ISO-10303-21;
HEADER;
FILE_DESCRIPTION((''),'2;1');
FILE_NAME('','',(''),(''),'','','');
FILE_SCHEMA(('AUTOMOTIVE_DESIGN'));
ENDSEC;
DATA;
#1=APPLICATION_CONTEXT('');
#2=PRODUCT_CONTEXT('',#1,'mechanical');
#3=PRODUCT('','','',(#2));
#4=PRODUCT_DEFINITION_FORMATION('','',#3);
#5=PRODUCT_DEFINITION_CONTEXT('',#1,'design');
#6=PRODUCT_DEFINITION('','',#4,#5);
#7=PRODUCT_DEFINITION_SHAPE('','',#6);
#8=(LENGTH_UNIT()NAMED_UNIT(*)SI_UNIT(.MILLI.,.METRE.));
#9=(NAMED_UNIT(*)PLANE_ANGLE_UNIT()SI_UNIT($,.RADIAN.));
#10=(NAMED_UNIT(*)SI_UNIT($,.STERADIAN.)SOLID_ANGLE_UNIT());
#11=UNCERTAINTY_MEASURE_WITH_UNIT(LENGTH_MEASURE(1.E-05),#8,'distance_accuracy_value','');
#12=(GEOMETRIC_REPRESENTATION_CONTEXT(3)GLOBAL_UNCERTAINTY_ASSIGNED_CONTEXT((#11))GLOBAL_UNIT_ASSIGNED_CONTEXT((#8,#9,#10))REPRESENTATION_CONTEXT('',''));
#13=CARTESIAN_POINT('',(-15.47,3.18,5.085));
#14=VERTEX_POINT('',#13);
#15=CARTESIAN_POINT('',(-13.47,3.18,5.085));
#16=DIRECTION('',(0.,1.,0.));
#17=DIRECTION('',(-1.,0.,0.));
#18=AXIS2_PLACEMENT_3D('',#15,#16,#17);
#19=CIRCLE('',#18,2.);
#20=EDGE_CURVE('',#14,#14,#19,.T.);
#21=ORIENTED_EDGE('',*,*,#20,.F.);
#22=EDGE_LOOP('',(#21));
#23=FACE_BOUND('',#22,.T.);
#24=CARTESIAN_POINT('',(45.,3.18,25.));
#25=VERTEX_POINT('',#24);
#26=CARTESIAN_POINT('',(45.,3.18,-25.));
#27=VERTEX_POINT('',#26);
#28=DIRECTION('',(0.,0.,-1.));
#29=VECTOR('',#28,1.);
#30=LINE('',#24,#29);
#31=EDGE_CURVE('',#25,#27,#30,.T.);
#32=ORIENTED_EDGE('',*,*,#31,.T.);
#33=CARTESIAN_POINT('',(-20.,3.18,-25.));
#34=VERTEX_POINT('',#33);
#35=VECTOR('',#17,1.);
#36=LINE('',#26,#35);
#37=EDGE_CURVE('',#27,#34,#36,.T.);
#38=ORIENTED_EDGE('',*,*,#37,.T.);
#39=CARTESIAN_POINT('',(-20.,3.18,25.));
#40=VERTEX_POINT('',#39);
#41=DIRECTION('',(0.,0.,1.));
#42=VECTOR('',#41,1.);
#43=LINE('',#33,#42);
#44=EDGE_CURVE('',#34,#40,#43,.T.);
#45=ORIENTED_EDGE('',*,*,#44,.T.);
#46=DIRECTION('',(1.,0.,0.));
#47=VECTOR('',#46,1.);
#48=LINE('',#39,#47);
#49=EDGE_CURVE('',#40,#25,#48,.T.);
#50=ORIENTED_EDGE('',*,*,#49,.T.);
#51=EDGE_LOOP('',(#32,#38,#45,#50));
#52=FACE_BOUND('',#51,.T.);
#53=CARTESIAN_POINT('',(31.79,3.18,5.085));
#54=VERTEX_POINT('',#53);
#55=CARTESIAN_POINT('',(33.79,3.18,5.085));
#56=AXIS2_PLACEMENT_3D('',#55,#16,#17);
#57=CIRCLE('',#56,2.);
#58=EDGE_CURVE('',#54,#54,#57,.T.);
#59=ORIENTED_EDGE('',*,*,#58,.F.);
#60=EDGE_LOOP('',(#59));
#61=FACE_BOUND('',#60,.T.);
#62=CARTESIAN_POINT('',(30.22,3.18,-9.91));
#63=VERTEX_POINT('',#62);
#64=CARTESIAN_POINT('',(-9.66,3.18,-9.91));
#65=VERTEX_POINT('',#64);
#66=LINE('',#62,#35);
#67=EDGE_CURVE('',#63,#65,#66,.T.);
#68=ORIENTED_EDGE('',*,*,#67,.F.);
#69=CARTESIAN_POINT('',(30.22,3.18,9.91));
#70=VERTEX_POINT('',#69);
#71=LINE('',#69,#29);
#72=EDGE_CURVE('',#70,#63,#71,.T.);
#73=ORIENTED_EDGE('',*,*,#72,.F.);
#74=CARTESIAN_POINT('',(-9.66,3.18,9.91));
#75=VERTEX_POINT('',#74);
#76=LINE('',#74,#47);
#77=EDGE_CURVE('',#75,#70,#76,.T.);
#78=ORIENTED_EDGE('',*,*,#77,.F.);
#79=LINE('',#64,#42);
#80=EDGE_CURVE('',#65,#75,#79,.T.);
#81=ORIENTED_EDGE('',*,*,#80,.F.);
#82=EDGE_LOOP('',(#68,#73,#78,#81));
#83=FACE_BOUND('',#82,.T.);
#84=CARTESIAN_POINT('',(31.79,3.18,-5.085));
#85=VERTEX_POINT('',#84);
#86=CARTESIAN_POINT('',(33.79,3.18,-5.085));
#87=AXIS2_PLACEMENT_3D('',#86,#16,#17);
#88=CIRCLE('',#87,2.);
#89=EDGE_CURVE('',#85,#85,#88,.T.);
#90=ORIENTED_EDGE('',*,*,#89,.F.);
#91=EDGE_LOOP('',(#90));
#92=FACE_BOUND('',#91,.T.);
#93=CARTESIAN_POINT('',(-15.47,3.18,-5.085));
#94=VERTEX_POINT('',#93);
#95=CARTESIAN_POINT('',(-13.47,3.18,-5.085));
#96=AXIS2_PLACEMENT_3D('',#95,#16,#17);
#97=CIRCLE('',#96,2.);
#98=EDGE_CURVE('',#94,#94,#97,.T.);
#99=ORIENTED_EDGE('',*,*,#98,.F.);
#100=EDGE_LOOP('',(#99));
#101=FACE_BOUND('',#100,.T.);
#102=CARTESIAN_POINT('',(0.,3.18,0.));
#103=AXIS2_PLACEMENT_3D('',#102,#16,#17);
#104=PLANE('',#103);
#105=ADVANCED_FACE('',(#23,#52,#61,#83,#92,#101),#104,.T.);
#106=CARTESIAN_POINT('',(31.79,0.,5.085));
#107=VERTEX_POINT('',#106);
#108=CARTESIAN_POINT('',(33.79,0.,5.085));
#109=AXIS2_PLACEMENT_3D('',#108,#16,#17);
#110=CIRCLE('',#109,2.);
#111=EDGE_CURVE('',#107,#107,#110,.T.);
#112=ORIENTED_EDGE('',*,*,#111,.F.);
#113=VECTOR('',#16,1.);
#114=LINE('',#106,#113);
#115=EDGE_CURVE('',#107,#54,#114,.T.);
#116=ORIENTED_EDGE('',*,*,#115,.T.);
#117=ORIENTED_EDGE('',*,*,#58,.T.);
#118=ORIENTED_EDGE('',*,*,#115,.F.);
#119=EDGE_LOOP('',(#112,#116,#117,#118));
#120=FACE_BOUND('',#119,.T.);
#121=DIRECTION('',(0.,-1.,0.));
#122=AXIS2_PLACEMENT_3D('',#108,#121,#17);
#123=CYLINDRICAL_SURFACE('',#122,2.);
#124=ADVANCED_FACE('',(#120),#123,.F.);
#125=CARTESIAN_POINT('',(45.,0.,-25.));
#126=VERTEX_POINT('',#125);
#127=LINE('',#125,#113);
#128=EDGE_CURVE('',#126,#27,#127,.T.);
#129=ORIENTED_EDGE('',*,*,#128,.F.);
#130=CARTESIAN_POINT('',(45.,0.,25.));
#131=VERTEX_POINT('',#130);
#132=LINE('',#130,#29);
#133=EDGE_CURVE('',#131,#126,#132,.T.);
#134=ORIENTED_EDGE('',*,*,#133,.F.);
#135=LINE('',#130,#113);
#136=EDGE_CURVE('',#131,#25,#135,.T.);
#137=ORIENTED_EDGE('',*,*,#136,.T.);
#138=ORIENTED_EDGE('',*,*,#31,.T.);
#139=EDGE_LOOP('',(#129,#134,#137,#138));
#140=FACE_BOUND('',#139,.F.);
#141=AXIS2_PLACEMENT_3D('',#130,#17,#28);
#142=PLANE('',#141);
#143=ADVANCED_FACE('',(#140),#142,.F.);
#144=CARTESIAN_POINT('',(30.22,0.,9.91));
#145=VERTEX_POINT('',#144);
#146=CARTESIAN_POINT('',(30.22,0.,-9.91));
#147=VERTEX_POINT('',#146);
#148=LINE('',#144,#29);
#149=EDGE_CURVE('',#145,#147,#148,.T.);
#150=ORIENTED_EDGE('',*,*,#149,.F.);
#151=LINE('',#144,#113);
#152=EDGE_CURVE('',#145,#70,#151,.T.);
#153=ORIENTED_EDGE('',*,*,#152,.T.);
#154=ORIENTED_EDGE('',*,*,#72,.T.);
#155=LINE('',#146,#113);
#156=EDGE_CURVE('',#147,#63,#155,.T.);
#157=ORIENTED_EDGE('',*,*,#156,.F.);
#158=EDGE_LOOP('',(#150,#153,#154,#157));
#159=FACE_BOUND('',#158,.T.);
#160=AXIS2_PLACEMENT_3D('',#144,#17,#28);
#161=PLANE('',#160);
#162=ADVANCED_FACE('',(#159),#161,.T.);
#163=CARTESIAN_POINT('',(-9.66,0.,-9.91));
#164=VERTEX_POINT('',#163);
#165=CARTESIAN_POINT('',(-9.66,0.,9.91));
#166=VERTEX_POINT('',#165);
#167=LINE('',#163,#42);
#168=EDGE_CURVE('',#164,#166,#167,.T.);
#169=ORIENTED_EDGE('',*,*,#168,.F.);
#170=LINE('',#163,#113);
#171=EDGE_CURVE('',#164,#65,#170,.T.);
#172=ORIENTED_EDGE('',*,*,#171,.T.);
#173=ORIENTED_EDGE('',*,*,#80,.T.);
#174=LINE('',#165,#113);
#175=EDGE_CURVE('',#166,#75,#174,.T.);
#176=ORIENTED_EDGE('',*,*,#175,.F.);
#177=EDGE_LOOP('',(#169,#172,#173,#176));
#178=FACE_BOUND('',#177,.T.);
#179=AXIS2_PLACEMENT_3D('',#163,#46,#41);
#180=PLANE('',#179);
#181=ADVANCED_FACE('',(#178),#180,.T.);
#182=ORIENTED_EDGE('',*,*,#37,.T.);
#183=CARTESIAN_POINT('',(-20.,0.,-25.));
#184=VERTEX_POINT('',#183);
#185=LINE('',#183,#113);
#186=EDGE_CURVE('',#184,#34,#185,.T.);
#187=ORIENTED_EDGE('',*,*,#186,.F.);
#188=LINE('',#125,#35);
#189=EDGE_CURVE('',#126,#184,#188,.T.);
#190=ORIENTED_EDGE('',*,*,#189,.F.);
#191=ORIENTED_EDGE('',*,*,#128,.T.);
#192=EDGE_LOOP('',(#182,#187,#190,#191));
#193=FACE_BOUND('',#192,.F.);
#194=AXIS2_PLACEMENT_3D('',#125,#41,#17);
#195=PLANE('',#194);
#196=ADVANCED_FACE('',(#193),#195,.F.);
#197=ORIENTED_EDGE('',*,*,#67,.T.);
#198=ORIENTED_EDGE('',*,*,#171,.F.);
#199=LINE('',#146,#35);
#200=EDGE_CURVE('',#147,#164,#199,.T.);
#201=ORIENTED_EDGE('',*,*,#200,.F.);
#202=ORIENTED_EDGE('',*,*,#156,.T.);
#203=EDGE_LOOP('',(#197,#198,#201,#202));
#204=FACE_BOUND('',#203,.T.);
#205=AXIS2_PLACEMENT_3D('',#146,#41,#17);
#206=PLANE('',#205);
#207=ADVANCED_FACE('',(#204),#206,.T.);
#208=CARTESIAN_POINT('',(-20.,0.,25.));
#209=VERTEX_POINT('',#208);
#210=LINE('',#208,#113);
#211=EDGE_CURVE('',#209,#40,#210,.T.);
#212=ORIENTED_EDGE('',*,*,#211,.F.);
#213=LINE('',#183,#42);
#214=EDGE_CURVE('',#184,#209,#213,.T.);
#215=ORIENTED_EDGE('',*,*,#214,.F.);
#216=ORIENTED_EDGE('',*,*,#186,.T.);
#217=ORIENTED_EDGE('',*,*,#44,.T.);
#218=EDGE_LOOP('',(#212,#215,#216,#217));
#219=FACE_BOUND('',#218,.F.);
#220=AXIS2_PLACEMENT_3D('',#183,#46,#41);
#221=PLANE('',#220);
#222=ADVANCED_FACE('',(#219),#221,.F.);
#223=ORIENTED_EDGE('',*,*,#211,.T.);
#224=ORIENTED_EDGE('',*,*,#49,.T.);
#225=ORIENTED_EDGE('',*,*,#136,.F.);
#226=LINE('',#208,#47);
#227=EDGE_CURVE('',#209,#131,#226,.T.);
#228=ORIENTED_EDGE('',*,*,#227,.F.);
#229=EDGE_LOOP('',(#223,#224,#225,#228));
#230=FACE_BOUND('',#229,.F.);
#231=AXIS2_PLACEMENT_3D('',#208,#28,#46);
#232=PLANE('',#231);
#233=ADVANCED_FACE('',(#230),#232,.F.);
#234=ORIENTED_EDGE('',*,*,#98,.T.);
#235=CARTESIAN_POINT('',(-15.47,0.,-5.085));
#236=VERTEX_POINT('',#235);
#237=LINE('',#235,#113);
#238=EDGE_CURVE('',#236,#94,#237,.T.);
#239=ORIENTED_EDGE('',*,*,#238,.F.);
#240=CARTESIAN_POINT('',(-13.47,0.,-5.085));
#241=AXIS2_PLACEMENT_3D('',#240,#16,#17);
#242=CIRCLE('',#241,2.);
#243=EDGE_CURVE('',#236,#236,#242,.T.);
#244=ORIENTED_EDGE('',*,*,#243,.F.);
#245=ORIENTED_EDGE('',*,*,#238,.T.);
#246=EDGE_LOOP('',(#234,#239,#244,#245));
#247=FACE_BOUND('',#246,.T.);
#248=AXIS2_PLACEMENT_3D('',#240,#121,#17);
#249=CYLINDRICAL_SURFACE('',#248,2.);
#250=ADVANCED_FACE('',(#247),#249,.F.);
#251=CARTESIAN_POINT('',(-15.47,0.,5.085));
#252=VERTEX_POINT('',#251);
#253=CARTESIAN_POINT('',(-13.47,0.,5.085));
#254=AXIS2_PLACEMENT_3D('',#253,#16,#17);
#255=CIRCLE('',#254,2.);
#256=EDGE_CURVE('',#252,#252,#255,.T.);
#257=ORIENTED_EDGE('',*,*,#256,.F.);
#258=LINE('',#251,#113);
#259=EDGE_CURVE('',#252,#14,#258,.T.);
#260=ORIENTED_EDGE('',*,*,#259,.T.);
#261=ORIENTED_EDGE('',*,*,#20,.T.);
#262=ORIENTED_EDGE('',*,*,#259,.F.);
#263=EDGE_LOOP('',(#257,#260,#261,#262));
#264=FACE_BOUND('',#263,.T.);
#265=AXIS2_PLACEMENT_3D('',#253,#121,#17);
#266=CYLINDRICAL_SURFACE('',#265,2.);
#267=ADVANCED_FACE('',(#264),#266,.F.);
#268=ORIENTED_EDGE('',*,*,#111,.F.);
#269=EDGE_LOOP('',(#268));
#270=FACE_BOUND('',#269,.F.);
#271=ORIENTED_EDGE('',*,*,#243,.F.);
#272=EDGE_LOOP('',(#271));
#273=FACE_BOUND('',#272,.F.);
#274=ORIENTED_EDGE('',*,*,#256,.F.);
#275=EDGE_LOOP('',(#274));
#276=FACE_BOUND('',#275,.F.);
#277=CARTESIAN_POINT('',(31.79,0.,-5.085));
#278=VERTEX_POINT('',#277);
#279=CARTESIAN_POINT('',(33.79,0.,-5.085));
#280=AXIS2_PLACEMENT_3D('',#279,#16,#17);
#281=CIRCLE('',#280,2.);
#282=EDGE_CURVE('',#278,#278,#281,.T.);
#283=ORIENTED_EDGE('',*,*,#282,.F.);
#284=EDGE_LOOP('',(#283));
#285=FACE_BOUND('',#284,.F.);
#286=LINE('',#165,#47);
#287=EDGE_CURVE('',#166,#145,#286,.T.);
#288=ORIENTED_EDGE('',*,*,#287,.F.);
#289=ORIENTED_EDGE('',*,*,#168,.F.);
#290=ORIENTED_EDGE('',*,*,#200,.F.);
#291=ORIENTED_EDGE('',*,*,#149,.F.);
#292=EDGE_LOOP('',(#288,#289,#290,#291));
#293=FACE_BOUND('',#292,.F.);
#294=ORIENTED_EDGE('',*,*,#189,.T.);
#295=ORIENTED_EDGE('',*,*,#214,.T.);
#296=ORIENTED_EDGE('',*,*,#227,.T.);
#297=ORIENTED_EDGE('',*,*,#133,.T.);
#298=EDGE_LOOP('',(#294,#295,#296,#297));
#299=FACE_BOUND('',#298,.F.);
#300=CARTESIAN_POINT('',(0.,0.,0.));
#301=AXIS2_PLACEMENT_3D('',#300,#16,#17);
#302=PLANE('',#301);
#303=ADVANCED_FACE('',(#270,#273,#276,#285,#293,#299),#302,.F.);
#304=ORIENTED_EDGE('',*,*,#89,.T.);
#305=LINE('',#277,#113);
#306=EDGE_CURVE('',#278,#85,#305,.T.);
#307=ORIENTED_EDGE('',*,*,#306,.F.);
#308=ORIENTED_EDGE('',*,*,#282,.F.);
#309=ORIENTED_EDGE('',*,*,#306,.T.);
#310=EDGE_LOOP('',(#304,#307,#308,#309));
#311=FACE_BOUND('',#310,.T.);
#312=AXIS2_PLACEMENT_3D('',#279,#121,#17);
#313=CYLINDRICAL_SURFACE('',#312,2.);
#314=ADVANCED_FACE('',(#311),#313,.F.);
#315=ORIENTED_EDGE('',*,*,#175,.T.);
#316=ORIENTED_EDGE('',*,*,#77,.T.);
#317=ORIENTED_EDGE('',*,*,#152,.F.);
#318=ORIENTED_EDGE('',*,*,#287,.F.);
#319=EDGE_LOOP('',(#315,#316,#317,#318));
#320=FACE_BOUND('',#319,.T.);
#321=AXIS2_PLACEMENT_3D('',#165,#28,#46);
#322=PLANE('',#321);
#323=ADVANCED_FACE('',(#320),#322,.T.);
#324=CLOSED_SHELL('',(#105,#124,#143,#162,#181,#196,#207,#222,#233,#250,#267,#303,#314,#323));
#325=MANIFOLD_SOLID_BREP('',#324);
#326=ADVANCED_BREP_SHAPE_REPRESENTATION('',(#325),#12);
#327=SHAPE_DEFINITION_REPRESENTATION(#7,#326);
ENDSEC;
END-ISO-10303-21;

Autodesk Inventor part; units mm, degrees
ref_plane "YZ Plane" through (0, 0, 0) normal (1, 0, 0) x (0, 1, 0)
ref_plane "XZ Plane" through (0, 0, 0) normal (0, 1, 0) x (-1, 0, 0)
ref_plane "XY Plane" through (0, 0, 0) normal (0, 0, 1) x (1, 0, 0)
sketch "Sketch1" plane through (0, 0, 0) normal (0, 1, 0) x (-1, 0, 0)
  circle A0 centre (-33.79, -5.085) radius 2
  circle A1 centre (-33.79, 5.085) radius 2
  circle A2 centre (13.47, -5.085) radius 2
  circle A3 centre (13.47, 5.085) radius 2
  line L0 (20, 25) -> (-45, 25)
  line L1 (-45, 25) -> (-45, -25)
  line L2 (-45, -25) -> (20, -25)
  line L3 (20, -25) -> (20, 25)
  line L4 (9.66, 9.91) -> (-30.22, 9.91)
  line L5 (-30.22, 9.91) -> (-30.22, -9.91)
  line L6 (-30.22, -9.91) -> (9.66, -9.91)
  line L7 (9.66, -9.91) -> (9.66, 9.91)
  point P0 (0, 0)
  point P1 (0, 0)
  dimension "d0" = 4
  dimension "d1" = 4
  dimension "d2" = 4
  dimension "d3" = 4
  dimension "d4" = 13.47
  dimension "d5" = 5.085
  dimension "d6" = 10.17
  dimension "d7" = 13.47
  dimension "d8" = 33.79
  dimension "d9" = 5.085
  dimension "d10" = 10.17
  dimension "d12" = 50
  dimension "d13" = 65
  dimension "d15" = 25
  dimension "d25" = 9.66
  dimension "d26" = 19.82
  dimension "d27" = 9.91
  dimension "d28" = 39.88
  dimension "d29" = 33.79
  dimension "d30" = 20
extrude "Extrusion1" add sketch "Sketch1" along normal blind 3.18
properties part number "Hombro_servo"
